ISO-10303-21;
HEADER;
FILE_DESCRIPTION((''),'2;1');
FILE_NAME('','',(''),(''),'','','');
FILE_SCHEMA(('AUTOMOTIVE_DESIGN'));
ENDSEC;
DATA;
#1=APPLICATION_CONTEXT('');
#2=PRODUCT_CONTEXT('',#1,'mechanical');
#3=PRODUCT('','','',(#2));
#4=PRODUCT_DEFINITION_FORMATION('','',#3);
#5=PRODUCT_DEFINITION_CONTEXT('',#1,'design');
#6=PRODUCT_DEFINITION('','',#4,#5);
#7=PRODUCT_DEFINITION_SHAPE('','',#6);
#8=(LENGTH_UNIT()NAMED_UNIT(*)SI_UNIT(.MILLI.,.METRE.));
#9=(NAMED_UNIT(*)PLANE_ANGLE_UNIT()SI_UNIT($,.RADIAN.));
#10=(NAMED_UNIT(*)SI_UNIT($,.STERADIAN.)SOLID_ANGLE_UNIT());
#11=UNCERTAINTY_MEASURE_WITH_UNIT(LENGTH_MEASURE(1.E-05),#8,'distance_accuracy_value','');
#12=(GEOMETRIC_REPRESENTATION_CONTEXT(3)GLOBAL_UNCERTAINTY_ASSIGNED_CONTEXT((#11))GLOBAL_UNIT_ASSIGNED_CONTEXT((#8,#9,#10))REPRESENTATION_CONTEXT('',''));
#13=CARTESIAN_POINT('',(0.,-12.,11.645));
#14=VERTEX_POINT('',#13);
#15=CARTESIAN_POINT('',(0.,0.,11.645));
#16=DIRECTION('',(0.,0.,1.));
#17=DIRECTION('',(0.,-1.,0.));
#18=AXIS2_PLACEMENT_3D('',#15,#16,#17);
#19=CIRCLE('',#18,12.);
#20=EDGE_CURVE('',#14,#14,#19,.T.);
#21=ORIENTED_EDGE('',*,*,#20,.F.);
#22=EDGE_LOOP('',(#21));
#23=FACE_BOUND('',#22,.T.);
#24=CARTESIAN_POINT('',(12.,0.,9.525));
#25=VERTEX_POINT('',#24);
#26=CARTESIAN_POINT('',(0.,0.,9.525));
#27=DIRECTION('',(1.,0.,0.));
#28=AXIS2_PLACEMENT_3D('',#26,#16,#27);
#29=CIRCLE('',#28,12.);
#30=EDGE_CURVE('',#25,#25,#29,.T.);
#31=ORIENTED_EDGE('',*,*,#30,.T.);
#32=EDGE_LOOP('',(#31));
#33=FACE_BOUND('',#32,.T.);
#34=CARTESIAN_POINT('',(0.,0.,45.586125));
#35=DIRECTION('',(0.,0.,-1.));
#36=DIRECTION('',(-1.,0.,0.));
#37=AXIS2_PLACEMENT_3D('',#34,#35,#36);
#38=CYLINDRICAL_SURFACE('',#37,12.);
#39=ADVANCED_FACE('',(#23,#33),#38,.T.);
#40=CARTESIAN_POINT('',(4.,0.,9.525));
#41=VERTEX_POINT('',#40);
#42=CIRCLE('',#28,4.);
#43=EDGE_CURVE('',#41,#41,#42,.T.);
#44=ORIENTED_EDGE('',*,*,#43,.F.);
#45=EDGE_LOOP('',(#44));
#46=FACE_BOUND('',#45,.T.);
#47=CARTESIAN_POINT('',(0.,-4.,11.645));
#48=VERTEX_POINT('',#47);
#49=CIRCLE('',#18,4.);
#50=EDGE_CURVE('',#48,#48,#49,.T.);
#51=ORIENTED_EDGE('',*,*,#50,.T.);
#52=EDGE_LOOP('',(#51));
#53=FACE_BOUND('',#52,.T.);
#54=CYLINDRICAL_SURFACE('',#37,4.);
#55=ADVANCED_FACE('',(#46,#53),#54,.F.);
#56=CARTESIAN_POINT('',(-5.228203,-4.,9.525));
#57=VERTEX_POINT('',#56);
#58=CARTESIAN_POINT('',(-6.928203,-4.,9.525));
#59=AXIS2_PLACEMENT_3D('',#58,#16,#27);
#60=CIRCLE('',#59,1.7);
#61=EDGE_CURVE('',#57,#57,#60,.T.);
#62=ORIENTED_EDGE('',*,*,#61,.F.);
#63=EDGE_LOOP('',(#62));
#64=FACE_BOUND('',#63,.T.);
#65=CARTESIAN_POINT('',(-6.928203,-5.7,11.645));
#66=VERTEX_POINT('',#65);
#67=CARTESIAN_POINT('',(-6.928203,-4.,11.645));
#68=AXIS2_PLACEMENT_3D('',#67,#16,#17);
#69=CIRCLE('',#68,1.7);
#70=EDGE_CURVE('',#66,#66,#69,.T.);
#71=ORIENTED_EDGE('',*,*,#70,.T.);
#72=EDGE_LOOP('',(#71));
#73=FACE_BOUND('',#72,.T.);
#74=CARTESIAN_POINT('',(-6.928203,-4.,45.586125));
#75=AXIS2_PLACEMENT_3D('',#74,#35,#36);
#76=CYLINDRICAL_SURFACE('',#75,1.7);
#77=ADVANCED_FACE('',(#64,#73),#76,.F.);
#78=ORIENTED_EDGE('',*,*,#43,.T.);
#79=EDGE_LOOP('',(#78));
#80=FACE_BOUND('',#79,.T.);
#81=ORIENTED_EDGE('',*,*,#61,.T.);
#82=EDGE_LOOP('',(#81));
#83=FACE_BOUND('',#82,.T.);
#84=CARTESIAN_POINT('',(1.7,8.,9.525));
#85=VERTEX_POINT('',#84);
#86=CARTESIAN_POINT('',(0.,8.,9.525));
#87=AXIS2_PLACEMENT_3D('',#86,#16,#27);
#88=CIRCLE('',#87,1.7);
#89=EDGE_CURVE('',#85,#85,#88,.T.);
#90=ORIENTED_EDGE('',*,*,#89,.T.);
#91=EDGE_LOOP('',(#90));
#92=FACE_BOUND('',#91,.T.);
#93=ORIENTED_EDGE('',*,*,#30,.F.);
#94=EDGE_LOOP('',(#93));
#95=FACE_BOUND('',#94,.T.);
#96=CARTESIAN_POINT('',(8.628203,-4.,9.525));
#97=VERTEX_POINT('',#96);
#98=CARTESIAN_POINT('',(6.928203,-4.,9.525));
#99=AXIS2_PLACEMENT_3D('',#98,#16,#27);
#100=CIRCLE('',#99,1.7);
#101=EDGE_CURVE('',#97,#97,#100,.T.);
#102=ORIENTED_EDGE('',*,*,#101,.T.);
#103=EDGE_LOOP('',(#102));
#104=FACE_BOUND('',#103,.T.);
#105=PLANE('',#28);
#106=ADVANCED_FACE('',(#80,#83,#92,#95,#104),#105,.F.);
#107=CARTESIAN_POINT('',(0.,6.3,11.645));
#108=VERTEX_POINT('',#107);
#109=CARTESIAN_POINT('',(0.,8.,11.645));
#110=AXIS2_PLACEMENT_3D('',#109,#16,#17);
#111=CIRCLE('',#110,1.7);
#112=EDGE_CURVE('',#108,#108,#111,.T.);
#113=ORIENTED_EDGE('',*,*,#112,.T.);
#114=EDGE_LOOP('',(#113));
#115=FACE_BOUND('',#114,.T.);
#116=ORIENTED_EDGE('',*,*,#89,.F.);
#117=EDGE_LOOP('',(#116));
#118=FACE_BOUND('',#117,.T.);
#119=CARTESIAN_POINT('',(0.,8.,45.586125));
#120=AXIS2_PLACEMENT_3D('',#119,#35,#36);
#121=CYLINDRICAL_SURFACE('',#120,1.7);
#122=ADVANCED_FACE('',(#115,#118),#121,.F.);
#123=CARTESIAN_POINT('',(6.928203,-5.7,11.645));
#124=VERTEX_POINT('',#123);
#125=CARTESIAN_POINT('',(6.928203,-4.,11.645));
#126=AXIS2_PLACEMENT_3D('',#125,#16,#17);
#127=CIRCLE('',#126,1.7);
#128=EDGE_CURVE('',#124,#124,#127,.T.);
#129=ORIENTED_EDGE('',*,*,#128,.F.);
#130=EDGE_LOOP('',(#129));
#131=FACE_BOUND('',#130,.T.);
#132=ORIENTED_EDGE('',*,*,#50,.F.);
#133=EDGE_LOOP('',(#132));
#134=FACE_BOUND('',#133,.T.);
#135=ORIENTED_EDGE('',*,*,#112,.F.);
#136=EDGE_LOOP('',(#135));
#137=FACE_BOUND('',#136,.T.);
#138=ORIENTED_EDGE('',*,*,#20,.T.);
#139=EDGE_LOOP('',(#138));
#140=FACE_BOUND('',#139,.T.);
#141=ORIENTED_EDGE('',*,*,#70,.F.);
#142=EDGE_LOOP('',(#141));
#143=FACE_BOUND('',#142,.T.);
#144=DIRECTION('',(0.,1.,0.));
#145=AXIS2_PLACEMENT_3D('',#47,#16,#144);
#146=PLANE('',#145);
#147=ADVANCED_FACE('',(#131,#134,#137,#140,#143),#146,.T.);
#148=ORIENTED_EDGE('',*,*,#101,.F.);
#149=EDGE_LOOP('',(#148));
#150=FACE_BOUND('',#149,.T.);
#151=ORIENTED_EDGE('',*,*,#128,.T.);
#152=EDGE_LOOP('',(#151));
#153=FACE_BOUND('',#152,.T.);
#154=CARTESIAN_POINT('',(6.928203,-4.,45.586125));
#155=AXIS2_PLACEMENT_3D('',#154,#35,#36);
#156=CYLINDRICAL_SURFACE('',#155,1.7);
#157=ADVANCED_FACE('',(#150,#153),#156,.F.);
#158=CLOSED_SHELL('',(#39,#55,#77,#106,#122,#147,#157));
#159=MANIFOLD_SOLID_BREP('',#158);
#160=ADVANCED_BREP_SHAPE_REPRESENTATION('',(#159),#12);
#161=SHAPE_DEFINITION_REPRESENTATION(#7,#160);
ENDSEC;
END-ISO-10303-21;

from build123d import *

# Parameters (mm, degrees)
BOSS_EXTRUDE1_START = 9.525
SKETCH1_R           = 12
SKETCH1_R_2         = 1.7
SKETCH1_R_3         = 4
BOSS_EXTRUDE1_DEPTH = 2.12


with BuildPart() as part:
    # Sketch1 → Boss-Extrude1 (new body)
    with BuildSketch(Plane.XY.offset(BOSS_EXTRUDE1_START)):
        with Locations(Location((0, 0, 0), (0, 0, 270))):
            Circle(SKETCH1_R)
        with Locations(Location((-6.92820323, -4, 0), (0, 0, 270))):
            Circle(SKETCH1_R_2, mode=Mode.SUBTRACT)
        with Locations(Location((6.92820323, -4, 0), (0, 0, 270))):
            Circle(SKETCH1_R_2, mode=Mode.SUBTRACT)
        with Locations(Location((0, 8, 0), (0, 0, 270))):
            Circle(SKETCH1_R_2, mode=Mode.SUBTRACT)
        with Locations(Location((0, 0, 0), (0, 0, 270))):
            Circle(SKETCH1_R_3, mode=Mode.SUBTRACT)
    extrude(amount=BOSS_EXTRUDE1_DEPTH)


solid = part.part
